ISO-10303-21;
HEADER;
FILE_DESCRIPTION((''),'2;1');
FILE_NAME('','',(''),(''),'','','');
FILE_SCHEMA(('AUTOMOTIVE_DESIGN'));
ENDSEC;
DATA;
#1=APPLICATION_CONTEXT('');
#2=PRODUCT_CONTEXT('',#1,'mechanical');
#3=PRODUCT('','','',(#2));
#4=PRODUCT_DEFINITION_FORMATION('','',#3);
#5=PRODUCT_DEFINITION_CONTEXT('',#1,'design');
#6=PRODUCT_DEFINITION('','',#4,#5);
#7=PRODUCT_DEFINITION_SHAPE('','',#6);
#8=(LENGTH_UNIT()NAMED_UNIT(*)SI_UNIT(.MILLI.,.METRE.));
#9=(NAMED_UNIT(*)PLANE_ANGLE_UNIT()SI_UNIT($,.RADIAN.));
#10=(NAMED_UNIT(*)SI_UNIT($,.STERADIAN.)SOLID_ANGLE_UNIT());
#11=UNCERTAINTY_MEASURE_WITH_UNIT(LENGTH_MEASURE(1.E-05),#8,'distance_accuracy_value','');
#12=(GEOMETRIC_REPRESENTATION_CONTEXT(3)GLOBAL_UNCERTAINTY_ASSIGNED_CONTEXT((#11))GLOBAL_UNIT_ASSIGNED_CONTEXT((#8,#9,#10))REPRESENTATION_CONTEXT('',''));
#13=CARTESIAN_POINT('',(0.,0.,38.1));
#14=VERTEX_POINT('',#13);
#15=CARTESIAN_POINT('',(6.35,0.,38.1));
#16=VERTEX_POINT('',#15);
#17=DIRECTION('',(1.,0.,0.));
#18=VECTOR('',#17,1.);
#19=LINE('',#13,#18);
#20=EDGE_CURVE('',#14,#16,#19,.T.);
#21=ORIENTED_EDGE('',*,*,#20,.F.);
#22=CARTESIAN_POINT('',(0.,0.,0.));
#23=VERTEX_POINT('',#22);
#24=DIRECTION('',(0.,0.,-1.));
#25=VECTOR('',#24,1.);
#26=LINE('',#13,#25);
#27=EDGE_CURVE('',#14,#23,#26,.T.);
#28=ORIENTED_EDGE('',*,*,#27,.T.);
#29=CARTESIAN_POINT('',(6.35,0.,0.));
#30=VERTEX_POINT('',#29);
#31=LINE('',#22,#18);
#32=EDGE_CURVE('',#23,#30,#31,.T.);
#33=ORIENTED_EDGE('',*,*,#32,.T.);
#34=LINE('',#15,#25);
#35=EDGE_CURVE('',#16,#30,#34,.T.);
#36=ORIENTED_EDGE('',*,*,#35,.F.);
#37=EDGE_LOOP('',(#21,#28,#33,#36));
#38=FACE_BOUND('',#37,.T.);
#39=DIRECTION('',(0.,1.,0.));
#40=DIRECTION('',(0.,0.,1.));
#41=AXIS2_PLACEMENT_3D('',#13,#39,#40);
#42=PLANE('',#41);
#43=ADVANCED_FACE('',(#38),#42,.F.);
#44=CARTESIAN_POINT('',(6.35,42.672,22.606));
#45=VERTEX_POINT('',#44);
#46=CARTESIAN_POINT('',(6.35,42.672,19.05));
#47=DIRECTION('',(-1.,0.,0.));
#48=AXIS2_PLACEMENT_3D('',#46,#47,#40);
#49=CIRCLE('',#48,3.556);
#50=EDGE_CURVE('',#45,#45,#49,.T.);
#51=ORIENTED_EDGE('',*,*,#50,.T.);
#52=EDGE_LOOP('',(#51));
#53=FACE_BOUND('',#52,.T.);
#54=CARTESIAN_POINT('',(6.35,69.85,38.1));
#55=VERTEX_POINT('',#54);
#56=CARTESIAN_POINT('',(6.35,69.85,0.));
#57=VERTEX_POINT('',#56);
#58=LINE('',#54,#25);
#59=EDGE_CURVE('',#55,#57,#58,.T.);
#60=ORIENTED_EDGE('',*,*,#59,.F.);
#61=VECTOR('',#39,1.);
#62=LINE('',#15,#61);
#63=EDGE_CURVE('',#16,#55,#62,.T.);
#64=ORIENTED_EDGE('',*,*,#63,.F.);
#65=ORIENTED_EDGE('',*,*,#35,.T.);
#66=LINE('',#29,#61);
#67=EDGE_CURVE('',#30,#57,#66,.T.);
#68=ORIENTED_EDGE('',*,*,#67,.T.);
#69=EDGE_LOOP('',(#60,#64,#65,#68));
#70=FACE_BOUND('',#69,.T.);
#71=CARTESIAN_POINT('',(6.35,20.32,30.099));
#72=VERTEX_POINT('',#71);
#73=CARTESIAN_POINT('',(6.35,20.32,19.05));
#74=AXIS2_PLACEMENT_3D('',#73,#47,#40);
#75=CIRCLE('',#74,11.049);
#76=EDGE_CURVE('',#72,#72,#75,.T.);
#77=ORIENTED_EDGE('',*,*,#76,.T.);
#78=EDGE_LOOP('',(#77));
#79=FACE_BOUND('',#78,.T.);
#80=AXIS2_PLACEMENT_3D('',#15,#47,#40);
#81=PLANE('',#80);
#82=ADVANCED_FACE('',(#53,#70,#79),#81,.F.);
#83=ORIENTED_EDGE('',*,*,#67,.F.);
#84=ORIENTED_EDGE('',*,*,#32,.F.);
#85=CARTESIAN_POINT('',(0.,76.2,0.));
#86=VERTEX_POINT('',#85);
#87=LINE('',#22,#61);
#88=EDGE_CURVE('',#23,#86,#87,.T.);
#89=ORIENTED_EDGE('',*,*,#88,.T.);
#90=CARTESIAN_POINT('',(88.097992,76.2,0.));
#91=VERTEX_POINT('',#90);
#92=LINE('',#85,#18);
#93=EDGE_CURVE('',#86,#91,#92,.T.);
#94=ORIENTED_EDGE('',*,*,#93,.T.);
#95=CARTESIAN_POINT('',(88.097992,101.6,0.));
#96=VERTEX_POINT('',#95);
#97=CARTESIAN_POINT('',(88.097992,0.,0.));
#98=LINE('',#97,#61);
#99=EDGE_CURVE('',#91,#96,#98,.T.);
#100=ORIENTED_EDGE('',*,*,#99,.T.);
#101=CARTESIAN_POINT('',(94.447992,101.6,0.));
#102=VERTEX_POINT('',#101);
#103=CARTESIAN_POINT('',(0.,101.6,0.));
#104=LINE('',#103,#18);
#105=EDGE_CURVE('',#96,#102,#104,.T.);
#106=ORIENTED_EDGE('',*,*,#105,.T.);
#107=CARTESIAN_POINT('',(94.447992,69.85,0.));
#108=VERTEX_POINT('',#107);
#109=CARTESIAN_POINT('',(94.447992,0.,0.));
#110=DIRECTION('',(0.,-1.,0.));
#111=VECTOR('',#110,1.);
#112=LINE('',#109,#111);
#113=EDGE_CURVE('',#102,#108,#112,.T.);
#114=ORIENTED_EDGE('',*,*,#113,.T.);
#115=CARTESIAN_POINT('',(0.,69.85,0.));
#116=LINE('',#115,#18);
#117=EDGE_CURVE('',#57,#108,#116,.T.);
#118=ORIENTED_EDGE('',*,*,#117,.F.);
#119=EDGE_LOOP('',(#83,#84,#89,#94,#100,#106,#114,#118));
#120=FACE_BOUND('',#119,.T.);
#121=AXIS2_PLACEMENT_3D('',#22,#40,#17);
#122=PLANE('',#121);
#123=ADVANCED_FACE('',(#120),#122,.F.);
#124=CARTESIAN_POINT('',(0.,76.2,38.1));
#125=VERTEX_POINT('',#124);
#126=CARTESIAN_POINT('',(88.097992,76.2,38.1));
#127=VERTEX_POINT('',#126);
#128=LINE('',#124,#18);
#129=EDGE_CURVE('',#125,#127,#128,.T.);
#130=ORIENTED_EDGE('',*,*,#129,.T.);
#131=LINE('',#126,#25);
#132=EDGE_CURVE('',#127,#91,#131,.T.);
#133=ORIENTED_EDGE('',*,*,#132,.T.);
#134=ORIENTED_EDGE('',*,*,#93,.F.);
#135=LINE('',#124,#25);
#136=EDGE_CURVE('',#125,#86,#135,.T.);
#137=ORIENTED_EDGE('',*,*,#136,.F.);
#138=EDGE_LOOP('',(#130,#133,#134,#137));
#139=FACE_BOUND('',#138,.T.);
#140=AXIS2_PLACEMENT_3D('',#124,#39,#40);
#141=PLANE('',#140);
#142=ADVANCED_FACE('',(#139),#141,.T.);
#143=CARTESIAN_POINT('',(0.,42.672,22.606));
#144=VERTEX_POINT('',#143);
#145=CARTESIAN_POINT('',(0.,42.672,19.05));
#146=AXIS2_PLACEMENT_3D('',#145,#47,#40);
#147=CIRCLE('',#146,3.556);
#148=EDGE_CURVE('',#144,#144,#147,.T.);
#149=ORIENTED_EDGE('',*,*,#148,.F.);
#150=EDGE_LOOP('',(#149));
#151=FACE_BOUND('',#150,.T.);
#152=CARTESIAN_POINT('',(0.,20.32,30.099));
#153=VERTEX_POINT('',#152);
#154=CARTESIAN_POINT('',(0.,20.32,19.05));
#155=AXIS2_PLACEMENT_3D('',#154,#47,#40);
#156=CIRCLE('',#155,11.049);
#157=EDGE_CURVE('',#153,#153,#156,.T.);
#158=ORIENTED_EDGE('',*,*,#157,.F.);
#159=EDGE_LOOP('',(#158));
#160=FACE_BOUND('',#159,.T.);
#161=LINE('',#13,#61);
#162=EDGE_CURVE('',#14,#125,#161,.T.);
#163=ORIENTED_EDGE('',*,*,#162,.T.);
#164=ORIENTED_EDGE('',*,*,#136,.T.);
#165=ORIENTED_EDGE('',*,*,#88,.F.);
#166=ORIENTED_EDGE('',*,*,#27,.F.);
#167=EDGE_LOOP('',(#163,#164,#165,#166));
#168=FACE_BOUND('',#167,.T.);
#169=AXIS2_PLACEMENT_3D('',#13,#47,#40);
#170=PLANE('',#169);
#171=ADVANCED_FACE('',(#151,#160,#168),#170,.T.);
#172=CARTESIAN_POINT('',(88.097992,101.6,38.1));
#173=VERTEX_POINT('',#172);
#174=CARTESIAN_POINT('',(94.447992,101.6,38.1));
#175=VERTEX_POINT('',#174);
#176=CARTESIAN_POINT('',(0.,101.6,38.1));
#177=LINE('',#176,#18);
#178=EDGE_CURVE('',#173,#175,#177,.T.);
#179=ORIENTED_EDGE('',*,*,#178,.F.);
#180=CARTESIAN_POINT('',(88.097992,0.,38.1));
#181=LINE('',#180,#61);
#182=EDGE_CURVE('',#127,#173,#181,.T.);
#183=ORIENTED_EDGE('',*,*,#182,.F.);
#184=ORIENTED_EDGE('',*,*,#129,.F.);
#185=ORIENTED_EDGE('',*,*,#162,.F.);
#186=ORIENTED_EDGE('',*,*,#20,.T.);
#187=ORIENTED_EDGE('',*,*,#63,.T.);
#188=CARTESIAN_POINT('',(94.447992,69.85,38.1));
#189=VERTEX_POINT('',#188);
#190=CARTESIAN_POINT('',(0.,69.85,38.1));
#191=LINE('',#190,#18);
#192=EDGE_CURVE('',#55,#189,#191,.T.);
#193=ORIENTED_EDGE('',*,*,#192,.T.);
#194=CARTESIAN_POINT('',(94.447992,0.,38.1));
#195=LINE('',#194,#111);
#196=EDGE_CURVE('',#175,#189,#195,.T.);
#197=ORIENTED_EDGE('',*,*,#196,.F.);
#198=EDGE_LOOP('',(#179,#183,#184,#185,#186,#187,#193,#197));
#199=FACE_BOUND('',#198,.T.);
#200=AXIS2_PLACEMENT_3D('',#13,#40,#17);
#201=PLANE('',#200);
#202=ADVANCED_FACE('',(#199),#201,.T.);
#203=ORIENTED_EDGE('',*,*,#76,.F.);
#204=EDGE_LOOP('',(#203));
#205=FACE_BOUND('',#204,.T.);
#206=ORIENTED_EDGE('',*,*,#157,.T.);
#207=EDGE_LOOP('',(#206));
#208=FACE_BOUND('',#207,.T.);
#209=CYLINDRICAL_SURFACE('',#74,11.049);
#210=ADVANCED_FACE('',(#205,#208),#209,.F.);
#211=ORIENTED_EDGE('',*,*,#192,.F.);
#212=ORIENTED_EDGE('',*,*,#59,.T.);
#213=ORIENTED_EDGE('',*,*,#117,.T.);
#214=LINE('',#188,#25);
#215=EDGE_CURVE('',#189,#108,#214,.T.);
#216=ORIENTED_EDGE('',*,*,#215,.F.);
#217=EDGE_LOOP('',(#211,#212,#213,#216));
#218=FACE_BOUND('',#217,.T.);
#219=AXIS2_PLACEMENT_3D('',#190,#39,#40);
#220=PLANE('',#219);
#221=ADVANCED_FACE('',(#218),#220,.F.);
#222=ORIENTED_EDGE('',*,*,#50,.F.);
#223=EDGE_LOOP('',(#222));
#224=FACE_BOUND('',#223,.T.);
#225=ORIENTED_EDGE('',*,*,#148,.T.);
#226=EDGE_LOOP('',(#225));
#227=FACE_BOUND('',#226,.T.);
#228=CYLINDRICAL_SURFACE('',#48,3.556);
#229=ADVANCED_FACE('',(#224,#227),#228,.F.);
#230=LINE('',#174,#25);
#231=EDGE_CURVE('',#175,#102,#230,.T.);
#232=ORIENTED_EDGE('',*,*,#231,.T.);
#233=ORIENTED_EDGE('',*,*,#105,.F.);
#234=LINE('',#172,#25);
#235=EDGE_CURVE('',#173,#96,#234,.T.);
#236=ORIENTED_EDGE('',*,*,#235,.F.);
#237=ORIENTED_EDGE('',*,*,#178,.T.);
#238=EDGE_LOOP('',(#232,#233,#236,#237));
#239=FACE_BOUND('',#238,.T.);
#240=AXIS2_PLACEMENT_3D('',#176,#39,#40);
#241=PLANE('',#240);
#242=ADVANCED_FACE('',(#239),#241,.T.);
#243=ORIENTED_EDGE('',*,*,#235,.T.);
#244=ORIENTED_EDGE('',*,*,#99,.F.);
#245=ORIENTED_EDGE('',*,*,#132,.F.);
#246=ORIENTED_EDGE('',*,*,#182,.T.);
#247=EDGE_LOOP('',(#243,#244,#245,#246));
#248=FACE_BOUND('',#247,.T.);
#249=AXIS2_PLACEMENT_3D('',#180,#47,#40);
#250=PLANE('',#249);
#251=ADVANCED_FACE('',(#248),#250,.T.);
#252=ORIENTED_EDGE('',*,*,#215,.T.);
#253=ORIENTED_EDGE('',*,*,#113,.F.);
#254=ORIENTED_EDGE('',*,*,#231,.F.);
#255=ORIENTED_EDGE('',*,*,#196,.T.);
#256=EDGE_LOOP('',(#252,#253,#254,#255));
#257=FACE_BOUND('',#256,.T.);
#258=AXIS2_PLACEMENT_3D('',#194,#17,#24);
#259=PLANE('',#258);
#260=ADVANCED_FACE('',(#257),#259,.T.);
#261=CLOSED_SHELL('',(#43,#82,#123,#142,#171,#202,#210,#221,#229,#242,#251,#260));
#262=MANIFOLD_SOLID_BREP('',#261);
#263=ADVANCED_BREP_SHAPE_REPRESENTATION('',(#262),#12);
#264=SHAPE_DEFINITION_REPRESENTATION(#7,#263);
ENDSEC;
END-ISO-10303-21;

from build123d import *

# Parameters (mm, degrees)
BOSS_EXTRUDE1_DEPTH = 38.1
SKETCH2_R           = 11.049
CUT_EXTRUDE1_DEPTH  = 6.35
SKETCH2_4_R         = 3.556
CUT_EXTRUDE2_DEPTH  = 6.35


with BuildPart() as part:
    # Sketch1 → Boss-Extrude1 (new body)
    with BuildSketch(Plane.XY):
        Polygon((0, 76.2), (0, 0), (6.35, 0), (6.35, 69.85), (94.447991824, 69.85), (94.447991824, 101.6), (88.097991824, 101.6), (88.097991824, 76.2), align=None)
    extrude(amount=BOSS_EXTRUDE1_DEPTH)

    # Sketch2 → Cut-Extrude1 (cut)
    with BuildSketch(Plane.ZY):
        with Locations((19.05, 20.32)):
            Circle(SKETCH2_R)
    extrude(amount=-CUT_EXTRUDE1_DEPTH, mode=Mode.SUBTRACT)

    # Sketch2<4> → Cut-Extrude2 (cut)
    with BuildSketch(Plane.ZY):
        with Locations((19.05, 42.672)):
            Circle(SKETCH2_4_R)
    extrude(amount=-CUT_EXTRUDE2_DEPTH, mode=Mode.SUBTRACT)


solid = part.part
